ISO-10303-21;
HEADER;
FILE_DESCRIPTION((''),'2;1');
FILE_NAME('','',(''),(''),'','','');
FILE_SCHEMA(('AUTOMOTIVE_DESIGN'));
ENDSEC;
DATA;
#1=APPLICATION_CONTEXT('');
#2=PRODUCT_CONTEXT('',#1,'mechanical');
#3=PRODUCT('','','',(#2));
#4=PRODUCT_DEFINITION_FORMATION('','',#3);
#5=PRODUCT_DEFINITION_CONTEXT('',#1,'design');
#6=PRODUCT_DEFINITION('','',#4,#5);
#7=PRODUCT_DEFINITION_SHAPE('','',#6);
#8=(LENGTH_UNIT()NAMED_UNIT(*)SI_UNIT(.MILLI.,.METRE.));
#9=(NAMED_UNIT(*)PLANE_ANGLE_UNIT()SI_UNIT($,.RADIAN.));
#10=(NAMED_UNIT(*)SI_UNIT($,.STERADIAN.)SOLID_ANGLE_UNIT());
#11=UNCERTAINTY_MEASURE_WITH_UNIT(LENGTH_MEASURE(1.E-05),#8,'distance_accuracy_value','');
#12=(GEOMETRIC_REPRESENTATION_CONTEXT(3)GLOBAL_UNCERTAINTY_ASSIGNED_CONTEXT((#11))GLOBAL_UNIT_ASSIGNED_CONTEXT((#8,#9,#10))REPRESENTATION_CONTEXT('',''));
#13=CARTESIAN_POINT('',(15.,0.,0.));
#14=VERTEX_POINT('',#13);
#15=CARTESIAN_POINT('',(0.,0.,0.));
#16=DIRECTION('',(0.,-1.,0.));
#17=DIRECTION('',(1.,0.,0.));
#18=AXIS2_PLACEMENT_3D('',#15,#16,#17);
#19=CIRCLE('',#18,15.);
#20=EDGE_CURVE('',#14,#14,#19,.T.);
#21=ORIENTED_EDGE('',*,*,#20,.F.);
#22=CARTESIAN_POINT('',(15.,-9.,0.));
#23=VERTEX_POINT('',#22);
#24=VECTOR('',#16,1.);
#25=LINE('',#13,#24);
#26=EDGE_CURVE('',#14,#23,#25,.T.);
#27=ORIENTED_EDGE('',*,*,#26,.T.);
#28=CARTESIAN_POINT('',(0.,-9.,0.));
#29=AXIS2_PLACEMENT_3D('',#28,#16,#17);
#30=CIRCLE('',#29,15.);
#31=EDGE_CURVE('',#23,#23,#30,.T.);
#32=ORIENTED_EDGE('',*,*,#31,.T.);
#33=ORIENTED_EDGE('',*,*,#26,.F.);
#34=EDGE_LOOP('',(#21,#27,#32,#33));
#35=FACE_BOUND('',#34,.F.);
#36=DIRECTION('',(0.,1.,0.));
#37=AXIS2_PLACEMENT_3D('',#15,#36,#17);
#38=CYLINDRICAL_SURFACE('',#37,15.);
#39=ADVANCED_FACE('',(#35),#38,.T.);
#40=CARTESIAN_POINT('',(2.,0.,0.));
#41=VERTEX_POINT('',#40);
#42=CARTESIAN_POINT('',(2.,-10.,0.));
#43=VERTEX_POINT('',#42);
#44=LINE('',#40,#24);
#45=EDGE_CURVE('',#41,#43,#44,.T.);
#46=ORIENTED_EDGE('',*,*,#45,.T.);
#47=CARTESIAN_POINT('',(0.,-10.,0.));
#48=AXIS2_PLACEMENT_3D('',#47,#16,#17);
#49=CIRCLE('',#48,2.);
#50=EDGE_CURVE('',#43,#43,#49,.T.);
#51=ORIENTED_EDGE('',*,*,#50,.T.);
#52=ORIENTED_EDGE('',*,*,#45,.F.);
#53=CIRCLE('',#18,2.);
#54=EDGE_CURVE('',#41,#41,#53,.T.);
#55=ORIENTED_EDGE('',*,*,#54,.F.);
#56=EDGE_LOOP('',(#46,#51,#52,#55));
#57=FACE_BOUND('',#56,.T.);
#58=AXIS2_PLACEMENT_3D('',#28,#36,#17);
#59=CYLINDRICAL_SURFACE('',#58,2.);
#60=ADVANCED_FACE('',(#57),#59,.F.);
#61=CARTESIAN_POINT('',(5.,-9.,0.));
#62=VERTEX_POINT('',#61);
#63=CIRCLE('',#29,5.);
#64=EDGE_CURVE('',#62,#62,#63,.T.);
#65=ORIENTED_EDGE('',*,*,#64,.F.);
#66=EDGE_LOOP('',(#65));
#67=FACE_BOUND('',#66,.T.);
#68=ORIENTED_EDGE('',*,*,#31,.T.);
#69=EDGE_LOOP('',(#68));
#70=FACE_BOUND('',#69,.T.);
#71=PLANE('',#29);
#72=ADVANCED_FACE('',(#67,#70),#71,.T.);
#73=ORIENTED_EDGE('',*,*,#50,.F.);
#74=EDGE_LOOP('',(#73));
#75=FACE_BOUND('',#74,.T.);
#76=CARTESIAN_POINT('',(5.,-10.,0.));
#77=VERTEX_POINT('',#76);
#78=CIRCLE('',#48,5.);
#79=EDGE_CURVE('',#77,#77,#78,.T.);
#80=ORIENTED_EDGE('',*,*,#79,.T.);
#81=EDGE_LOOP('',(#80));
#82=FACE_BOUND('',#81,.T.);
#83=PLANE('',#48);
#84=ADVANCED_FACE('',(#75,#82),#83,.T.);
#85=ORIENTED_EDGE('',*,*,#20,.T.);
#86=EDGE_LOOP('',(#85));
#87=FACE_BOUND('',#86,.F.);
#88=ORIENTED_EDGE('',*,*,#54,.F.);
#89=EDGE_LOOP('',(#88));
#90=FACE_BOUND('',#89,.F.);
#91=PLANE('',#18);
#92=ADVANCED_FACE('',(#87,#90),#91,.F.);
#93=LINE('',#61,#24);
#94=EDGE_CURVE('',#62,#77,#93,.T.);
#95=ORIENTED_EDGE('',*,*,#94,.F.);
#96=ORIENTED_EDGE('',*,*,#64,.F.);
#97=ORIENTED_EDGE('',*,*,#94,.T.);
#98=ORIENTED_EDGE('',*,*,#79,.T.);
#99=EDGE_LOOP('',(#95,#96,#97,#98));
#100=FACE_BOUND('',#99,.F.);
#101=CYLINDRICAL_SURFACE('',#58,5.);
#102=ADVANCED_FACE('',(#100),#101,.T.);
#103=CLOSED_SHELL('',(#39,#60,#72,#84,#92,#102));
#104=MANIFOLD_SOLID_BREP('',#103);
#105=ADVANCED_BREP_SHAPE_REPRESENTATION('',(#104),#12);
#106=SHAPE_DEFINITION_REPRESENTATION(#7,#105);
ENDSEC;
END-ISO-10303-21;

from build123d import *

# Parameters (mm, degrees)
SKETCH_R      = 15
SKETCH_R_2    = 2
PAD_DEPTH     = 9
SKETCH001_R   = 5
SKETCH001_R_2 = 2
PAD001_DEPTH  = 1


with BuildPart() as pad:
    # Sketch → Pad (new body)
    with BuildSketch(Plane.XZ):
        Circle(SKETCH_R)
        Circle(SKETCH_R_2, mode=Mode.SUBTRACT)
    extrude(amount=PAD_DEPTH)


with BuildPart() as fusion:
    # Pad001 base: copy of Pad
    add(pad.part)

    # Sketch001 → Pad001 (new body)
    with BuildSketch(Plane.XZ.offset(9)):
        Circle(SKETCH001_R)
        Circle(SKETCH001_R_2, mode=Mode.SUBTRACT)
    extrude(amount=PAD001_DEPTH)

    # Fusion: union Pad
    add(pad.part)


solid = fusion.part
